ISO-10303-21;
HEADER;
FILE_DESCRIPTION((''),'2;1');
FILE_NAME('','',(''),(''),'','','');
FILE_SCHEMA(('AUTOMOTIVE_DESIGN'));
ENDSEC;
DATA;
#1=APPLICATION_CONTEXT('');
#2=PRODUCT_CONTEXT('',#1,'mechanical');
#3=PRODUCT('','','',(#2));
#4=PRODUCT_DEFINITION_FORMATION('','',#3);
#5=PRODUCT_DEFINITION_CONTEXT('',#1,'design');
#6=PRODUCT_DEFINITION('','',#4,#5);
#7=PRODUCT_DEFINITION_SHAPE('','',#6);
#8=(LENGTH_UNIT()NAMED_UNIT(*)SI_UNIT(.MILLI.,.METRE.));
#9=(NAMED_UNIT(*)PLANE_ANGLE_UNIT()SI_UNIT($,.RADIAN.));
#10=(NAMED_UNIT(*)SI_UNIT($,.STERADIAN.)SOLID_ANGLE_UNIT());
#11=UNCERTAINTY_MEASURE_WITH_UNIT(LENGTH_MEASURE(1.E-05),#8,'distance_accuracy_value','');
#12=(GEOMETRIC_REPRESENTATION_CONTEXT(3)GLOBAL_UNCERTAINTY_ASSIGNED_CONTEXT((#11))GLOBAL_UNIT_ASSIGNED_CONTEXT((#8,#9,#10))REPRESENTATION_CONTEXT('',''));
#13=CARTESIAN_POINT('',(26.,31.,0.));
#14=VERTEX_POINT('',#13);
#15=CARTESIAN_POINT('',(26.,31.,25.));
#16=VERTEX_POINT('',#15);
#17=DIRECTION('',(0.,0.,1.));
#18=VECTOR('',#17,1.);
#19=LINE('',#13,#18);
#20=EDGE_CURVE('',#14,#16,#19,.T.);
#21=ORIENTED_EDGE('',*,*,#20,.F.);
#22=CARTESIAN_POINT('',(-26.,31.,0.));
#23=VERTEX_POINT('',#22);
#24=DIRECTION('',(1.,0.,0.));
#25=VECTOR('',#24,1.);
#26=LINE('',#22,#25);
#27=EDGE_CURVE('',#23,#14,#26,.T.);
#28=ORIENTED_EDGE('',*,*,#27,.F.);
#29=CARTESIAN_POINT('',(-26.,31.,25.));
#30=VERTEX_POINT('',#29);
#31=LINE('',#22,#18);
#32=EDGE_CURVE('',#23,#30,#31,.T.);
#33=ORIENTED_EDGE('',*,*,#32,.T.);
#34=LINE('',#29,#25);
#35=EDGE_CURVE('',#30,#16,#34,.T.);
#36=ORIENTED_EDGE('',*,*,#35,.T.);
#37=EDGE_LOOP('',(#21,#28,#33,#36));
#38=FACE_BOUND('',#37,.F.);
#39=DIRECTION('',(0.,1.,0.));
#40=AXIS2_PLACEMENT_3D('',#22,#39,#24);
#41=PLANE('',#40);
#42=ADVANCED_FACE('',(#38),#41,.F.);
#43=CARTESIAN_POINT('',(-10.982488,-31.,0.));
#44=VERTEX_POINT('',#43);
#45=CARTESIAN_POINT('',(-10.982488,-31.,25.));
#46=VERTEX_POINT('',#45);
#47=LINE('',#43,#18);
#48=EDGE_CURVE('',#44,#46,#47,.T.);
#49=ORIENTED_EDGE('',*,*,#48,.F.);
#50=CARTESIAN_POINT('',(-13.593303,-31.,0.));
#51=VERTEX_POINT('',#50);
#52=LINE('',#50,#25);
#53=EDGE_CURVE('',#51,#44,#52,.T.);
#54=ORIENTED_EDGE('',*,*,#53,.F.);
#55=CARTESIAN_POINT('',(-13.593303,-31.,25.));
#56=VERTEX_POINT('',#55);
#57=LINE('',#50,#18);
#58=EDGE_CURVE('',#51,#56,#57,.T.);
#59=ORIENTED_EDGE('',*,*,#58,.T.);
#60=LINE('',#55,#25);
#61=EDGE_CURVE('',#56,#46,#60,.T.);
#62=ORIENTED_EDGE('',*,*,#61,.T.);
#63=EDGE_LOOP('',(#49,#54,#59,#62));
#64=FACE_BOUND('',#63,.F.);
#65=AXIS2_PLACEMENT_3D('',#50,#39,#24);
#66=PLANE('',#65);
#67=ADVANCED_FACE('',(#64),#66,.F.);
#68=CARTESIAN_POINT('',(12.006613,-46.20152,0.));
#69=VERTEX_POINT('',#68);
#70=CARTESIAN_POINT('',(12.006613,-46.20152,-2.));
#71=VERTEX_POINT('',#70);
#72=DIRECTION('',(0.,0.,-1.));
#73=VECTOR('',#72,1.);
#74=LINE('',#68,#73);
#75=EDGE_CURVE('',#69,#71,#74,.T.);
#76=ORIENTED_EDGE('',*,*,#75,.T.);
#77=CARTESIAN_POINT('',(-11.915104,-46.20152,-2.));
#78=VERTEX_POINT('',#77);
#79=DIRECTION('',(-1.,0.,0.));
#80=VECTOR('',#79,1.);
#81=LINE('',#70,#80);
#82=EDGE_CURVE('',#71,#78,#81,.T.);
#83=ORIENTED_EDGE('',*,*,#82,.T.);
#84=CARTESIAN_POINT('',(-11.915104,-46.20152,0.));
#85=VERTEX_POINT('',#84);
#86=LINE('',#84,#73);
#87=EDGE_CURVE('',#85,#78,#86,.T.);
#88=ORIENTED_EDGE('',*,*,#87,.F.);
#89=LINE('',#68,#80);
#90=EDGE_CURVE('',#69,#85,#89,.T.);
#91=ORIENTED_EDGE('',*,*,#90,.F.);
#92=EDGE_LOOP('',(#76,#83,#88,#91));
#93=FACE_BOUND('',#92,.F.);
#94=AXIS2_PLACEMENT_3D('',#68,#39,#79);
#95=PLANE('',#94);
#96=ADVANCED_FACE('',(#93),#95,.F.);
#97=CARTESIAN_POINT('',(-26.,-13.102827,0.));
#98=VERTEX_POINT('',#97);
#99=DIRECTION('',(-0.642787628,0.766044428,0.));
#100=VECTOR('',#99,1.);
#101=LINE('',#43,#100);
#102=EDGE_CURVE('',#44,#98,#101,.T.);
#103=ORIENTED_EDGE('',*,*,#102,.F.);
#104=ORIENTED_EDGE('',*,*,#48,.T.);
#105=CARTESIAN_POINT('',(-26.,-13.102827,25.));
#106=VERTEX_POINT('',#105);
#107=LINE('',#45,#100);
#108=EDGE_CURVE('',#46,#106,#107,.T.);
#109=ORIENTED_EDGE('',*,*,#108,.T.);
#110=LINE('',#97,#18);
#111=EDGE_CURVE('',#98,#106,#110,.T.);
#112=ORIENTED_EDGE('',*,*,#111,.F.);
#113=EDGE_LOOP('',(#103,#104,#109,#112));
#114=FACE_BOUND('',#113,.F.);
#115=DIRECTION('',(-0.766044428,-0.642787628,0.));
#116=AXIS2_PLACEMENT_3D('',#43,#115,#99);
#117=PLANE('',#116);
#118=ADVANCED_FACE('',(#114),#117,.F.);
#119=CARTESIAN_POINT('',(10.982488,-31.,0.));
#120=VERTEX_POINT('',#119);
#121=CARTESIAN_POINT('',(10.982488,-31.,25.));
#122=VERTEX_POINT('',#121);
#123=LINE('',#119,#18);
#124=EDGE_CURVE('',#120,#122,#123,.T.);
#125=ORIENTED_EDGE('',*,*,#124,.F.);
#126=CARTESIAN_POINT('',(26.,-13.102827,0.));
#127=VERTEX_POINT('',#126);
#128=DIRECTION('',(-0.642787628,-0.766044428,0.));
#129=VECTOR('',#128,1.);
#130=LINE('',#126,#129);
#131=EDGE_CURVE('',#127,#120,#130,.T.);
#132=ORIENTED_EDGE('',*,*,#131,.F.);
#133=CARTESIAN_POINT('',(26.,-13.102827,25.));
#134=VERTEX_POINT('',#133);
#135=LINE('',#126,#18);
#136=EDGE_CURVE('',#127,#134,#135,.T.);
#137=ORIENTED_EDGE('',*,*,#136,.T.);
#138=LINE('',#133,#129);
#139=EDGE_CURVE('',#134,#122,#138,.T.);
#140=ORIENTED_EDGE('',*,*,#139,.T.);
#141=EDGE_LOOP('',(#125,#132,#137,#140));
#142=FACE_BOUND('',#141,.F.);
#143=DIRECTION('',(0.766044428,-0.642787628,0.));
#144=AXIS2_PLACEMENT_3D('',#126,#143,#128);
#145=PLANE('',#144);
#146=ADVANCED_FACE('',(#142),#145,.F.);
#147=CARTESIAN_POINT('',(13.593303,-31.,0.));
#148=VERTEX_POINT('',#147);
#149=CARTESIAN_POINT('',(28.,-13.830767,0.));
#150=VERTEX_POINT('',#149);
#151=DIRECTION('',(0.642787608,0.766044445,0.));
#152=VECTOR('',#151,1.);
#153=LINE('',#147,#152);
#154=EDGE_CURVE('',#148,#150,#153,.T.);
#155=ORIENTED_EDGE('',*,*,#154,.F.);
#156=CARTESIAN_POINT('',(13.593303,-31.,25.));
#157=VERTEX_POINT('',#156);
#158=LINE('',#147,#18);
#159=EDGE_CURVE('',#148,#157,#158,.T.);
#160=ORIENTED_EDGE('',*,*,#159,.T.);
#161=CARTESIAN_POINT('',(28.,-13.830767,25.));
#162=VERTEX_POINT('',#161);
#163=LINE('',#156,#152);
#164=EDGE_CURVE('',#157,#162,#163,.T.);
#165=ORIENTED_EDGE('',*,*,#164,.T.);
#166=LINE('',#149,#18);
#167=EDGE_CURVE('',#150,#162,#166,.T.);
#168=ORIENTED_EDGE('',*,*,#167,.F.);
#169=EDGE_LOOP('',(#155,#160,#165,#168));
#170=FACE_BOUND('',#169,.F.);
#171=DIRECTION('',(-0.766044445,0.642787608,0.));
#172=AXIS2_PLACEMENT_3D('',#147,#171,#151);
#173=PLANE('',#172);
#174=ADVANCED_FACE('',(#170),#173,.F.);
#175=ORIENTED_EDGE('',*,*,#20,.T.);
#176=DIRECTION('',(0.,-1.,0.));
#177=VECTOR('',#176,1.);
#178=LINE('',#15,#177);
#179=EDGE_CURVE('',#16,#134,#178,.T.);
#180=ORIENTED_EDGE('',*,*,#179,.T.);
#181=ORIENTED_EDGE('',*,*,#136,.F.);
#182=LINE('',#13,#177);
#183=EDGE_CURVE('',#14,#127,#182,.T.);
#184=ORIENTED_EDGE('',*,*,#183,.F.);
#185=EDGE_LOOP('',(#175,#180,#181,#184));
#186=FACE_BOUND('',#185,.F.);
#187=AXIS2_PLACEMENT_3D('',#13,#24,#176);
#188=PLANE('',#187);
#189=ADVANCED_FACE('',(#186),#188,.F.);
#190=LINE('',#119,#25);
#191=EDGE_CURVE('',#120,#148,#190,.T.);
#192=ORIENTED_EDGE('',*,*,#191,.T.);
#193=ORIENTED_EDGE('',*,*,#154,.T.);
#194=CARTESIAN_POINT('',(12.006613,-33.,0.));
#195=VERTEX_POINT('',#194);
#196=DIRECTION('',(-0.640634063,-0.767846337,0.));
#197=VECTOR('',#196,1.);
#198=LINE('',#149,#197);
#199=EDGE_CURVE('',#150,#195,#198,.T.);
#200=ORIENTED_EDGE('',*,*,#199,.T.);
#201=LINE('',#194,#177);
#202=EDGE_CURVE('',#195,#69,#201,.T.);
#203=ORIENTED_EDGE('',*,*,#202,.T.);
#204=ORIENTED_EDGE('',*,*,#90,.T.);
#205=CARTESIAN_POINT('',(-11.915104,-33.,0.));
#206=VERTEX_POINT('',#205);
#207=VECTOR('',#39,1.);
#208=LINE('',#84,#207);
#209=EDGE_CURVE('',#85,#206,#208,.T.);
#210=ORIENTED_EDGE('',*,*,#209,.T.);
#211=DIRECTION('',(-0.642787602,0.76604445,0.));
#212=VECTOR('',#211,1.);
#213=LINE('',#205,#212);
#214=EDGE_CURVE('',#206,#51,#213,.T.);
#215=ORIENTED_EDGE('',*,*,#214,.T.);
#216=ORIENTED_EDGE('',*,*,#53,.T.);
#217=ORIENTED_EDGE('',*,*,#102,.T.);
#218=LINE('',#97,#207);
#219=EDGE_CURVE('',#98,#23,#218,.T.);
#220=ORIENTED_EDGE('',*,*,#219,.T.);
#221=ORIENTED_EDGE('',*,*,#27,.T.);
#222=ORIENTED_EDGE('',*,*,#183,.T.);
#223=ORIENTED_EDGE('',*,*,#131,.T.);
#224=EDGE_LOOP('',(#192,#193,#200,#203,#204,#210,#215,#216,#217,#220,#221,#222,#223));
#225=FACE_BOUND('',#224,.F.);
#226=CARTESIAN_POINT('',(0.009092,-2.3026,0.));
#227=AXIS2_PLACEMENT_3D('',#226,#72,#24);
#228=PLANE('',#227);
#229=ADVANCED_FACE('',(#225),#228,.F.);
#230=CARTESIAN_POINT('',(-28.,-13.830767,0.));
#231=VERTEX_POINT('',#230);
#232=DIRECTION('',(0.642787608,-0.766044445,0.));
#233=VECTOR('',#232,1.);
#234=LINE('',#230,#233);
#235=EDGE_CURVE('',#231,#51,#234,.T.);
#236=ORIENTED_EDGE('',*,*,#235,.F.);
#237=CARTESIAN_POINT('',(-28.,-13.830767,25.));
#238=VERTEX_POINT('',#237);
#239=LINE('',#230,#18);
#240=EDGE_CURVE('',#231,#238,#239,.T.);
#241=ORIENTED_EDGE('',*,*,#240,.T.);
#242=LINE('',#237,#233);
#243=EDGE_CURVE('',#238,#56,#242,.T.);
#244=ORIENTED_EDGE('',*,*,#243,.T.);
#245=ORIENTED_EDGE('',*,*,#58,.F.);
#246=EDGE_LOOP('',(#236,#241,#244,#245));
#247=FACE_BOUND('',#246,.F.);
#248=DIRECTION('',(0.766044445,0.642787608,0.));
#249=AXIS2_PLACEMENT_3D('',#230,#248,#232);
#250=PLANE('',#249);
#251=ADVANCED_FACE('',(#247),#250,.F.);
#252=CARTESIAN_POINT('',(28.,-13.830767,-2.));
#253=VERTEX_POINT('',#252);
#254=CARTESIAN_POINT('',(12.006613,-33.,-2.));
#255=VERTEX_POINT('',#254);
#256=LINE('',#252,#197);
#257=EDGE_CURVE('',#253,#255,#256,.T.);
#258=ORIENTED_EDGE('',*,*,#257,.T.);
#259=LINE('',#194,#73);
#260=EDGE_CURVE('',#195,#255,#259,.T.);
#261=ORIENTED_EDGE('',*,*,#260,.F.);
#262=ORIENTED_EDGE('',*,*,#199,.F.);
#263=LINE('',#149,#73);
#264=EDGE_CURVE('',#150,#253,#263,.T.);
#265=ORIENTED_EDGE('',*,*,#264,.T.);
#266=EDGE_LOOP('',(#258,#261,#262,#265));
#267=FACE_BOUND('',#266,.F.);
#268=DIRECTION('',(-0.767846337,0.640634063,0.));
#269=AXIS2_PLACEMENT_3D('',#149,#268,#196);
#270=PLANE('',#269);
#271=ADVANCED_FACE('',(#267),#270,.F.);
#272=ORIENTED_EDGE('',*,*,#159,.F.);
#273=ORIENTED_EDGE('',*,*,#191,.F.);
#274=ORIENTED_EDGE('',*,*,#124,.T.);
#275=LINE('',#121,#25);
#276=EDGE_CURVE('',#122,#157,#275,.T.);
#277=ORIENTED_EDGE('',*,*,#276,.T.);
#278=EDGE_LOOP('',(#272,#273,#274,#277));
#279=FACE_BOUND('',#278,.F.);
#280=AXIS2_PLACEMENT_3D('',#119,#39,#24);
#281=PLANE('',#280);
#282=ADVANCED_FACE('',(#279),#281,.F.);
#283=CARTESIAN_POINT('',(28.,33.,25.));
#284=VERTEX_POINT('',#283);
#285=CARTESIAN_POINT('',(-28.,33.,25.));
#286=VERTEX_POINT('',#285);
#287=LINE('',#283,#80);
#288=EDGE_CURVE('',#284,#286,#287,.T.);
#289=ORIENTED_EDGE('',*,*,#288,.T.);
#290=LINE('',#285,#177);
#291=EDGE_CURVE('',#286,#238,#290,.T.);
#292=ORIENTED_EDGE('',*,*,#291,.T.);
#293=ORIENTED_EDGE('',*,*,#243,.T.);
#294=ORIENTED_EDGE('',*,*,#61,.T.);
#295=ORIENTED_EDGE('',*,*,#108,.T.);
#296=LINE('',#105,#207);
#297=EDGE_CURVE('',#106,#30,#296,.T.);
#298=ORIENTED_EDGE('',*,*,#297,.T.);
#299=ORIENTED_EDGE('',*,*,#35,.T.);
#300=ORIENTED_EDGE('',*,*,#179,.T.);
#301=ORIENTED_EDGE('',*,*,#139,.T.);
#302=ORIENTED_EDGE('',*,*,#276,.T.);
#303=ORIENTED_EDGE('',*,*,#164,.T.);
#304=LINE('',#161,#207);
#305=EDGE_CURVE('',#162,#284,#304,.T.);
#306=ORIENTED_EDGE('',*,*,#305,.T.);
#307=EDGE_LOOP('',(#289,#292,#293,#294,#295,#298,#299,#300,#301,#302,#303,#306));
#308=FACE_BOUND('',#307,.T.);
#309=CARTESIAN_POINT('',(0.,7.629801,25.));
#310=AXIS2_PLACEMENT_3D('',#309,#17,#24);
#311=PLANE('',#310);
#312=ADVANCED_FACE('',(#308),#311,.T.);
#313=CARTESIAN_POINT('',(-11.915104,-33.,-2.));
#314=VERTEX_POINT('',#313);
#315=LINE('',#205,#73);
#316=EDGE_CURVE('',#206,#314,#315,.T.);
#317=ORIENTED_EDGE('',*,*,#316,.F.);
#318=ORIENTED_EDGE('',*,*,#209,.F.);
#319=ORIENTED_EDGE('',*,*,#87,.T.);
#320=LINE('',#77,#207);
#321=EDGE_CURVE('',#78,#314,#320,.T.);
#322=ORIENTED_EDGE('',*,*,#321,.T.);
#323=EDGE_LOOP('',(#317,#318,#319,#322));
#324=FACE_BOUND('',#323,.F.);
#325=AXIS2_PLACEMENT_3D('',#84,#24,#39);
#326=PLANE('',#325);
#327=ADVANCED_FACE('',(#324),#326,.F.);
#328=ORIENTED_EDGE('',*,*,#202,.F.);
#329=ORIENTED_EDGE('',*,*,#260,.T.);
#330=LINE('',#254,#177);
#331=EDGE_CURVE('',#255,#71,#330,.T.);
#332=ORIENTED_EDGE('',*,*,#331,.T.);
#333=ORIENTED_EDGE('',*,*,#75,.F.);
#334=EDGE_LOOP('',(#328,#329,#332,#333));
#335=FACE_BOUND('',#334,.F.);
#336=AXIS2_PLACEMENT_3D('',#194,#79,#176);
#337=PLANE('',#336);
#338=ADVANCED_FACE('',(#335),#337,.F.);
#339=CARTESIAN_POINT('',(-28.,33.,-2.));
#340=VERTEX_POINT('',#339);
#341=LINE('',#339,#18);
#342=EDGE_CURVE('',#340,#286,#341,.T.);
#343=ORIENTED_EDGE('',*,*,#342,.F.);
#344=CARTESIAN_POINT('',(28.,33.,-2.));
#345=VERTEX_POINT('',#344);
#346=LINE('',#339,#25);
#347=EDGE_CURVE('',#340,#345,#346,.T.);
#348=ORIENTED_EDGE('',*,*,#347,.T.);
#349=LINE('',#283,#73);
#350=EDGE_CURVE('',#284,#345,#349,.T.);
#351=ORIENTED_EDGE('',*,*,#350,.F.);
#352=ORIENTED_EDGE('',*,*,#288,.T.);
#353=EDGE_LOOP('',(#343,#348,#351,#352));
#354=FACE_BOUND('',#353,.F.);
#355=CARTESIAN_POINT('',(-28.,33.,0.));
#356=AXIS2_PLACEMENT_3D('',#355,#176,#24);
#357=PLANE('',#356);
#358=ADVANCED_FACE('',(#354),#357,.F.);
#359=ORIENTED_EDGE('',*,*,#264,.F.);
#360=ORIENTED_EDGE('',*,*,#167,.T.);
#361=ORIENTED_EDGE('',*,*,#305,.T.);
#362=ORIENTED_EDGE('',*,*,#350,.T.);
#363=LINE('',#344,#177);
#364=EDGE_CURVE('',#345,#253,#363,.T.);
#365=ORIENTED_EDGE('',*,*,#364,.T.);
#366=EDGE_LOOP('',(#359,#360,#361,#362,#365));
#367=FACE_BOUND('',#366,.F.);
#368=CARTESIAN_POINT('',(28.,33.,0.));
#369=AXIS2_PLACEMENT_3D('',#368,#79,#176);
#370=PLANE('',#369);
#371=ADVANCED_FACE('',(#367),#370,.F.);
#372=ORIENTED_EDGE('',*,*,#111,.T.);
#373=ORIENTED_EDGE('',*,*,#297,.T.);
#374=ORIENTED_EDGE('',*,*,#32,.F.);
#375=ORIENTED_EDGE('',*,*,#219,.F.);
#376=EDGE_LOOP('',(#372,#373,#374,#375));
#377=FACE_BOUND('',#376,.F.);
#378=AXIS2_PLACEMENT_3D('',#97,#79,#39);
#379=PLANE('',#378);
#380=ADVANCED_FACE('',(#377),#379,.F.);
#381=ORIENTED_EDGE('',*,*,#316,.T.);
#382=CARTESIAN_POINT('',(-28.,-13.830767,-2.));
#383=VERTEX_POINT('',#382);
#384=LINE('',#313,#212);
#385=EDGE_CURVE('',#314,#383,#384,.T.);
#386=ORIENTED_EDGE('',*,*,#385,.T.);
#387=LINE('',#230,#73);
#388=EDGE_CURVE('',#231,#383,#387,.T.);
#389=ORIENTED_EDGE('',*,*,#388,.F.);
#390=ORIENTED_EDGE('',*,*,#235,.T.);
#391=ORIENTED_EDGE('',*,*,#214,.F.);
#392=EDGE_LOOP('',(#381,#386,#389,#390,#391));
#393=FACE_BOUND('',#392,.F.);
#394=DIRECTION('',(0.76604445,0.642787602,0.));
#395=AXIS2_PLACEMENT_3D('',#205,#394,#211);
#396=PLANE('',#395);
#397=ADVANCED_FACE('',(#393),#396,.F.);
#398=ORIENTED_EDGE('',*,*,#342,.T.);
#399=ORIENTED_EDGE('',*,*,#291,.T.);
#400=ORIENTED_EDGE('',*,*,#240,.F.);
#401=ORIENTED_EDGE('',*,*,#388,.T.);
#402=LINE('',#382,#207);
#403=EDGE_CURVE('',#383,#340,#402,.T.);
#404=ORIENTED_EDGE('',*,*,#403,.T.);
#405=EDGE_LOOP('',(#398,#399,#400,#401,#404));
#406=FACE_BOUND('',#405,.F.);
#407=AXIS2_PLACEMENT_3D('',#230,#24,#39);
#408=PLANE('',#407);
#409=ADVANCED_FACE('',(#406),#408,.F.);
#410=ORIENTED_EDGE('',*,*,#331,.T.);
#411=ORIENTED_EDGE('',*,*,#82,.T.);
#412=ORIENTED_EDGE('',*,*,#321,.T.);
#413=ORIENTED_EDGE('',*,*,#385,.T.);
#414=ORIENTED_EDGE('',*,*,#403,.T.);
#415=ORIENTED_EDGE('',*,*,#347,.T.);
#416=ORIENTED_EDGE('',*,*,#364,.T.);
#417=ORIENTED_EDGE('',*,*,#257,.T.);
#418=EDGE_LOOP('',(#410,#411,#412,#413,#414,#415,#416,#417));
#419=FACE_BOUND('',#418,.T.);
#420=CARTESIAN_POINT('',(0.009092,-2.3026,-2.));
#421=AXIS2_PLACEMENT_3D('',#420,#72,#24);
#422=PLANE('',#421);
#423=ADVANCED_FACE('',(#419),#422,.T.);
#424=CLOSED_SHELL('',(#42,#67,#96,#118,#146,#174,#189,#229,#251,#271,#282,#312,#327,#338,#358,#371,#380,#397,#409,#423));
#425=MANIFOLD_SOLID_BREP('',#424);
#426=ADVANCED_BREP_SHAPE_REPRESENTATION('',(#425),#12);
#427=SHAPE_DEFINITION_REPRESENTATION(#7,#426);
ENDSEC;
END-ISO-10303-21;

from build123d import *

# Parameters (mm, degrees)
F1_DEPTH = 25
F3_DEPTH = 2


with BuildPart() as f1:
    # F0 (on Top) → F1 (new body)
    with BuildSketch(Plane.XY):
        Polygon((-26, 31), (26, 31), (26, -13.102827), (10.982488, -31), (13.593303, -31), (28, -13.830767), (28, 33), (-28, 33), (-28, -13.830767), (-13.593303, -31), (-10.982488, -31), (-26, -13.102827), align=None)
    extrude(amount=F1_DEPTH)

    # F2 (on face) → F3 (join)
    with BuildSketch(Plane(origin=(0, 0, 0), x_dir=(1, 0, 0), z_dir=(0, 0, -1))):
        Polygon((-28, -33), (28, -33), (28, 13.830767), (12.006613, 33), (12.006613, 46.20152), (-11.915104, 46.20152), (-11.915104, 33), (-28, 13.830767), align=None)
    extrude(amount=F3_DEPTH)


solid = f1.part
